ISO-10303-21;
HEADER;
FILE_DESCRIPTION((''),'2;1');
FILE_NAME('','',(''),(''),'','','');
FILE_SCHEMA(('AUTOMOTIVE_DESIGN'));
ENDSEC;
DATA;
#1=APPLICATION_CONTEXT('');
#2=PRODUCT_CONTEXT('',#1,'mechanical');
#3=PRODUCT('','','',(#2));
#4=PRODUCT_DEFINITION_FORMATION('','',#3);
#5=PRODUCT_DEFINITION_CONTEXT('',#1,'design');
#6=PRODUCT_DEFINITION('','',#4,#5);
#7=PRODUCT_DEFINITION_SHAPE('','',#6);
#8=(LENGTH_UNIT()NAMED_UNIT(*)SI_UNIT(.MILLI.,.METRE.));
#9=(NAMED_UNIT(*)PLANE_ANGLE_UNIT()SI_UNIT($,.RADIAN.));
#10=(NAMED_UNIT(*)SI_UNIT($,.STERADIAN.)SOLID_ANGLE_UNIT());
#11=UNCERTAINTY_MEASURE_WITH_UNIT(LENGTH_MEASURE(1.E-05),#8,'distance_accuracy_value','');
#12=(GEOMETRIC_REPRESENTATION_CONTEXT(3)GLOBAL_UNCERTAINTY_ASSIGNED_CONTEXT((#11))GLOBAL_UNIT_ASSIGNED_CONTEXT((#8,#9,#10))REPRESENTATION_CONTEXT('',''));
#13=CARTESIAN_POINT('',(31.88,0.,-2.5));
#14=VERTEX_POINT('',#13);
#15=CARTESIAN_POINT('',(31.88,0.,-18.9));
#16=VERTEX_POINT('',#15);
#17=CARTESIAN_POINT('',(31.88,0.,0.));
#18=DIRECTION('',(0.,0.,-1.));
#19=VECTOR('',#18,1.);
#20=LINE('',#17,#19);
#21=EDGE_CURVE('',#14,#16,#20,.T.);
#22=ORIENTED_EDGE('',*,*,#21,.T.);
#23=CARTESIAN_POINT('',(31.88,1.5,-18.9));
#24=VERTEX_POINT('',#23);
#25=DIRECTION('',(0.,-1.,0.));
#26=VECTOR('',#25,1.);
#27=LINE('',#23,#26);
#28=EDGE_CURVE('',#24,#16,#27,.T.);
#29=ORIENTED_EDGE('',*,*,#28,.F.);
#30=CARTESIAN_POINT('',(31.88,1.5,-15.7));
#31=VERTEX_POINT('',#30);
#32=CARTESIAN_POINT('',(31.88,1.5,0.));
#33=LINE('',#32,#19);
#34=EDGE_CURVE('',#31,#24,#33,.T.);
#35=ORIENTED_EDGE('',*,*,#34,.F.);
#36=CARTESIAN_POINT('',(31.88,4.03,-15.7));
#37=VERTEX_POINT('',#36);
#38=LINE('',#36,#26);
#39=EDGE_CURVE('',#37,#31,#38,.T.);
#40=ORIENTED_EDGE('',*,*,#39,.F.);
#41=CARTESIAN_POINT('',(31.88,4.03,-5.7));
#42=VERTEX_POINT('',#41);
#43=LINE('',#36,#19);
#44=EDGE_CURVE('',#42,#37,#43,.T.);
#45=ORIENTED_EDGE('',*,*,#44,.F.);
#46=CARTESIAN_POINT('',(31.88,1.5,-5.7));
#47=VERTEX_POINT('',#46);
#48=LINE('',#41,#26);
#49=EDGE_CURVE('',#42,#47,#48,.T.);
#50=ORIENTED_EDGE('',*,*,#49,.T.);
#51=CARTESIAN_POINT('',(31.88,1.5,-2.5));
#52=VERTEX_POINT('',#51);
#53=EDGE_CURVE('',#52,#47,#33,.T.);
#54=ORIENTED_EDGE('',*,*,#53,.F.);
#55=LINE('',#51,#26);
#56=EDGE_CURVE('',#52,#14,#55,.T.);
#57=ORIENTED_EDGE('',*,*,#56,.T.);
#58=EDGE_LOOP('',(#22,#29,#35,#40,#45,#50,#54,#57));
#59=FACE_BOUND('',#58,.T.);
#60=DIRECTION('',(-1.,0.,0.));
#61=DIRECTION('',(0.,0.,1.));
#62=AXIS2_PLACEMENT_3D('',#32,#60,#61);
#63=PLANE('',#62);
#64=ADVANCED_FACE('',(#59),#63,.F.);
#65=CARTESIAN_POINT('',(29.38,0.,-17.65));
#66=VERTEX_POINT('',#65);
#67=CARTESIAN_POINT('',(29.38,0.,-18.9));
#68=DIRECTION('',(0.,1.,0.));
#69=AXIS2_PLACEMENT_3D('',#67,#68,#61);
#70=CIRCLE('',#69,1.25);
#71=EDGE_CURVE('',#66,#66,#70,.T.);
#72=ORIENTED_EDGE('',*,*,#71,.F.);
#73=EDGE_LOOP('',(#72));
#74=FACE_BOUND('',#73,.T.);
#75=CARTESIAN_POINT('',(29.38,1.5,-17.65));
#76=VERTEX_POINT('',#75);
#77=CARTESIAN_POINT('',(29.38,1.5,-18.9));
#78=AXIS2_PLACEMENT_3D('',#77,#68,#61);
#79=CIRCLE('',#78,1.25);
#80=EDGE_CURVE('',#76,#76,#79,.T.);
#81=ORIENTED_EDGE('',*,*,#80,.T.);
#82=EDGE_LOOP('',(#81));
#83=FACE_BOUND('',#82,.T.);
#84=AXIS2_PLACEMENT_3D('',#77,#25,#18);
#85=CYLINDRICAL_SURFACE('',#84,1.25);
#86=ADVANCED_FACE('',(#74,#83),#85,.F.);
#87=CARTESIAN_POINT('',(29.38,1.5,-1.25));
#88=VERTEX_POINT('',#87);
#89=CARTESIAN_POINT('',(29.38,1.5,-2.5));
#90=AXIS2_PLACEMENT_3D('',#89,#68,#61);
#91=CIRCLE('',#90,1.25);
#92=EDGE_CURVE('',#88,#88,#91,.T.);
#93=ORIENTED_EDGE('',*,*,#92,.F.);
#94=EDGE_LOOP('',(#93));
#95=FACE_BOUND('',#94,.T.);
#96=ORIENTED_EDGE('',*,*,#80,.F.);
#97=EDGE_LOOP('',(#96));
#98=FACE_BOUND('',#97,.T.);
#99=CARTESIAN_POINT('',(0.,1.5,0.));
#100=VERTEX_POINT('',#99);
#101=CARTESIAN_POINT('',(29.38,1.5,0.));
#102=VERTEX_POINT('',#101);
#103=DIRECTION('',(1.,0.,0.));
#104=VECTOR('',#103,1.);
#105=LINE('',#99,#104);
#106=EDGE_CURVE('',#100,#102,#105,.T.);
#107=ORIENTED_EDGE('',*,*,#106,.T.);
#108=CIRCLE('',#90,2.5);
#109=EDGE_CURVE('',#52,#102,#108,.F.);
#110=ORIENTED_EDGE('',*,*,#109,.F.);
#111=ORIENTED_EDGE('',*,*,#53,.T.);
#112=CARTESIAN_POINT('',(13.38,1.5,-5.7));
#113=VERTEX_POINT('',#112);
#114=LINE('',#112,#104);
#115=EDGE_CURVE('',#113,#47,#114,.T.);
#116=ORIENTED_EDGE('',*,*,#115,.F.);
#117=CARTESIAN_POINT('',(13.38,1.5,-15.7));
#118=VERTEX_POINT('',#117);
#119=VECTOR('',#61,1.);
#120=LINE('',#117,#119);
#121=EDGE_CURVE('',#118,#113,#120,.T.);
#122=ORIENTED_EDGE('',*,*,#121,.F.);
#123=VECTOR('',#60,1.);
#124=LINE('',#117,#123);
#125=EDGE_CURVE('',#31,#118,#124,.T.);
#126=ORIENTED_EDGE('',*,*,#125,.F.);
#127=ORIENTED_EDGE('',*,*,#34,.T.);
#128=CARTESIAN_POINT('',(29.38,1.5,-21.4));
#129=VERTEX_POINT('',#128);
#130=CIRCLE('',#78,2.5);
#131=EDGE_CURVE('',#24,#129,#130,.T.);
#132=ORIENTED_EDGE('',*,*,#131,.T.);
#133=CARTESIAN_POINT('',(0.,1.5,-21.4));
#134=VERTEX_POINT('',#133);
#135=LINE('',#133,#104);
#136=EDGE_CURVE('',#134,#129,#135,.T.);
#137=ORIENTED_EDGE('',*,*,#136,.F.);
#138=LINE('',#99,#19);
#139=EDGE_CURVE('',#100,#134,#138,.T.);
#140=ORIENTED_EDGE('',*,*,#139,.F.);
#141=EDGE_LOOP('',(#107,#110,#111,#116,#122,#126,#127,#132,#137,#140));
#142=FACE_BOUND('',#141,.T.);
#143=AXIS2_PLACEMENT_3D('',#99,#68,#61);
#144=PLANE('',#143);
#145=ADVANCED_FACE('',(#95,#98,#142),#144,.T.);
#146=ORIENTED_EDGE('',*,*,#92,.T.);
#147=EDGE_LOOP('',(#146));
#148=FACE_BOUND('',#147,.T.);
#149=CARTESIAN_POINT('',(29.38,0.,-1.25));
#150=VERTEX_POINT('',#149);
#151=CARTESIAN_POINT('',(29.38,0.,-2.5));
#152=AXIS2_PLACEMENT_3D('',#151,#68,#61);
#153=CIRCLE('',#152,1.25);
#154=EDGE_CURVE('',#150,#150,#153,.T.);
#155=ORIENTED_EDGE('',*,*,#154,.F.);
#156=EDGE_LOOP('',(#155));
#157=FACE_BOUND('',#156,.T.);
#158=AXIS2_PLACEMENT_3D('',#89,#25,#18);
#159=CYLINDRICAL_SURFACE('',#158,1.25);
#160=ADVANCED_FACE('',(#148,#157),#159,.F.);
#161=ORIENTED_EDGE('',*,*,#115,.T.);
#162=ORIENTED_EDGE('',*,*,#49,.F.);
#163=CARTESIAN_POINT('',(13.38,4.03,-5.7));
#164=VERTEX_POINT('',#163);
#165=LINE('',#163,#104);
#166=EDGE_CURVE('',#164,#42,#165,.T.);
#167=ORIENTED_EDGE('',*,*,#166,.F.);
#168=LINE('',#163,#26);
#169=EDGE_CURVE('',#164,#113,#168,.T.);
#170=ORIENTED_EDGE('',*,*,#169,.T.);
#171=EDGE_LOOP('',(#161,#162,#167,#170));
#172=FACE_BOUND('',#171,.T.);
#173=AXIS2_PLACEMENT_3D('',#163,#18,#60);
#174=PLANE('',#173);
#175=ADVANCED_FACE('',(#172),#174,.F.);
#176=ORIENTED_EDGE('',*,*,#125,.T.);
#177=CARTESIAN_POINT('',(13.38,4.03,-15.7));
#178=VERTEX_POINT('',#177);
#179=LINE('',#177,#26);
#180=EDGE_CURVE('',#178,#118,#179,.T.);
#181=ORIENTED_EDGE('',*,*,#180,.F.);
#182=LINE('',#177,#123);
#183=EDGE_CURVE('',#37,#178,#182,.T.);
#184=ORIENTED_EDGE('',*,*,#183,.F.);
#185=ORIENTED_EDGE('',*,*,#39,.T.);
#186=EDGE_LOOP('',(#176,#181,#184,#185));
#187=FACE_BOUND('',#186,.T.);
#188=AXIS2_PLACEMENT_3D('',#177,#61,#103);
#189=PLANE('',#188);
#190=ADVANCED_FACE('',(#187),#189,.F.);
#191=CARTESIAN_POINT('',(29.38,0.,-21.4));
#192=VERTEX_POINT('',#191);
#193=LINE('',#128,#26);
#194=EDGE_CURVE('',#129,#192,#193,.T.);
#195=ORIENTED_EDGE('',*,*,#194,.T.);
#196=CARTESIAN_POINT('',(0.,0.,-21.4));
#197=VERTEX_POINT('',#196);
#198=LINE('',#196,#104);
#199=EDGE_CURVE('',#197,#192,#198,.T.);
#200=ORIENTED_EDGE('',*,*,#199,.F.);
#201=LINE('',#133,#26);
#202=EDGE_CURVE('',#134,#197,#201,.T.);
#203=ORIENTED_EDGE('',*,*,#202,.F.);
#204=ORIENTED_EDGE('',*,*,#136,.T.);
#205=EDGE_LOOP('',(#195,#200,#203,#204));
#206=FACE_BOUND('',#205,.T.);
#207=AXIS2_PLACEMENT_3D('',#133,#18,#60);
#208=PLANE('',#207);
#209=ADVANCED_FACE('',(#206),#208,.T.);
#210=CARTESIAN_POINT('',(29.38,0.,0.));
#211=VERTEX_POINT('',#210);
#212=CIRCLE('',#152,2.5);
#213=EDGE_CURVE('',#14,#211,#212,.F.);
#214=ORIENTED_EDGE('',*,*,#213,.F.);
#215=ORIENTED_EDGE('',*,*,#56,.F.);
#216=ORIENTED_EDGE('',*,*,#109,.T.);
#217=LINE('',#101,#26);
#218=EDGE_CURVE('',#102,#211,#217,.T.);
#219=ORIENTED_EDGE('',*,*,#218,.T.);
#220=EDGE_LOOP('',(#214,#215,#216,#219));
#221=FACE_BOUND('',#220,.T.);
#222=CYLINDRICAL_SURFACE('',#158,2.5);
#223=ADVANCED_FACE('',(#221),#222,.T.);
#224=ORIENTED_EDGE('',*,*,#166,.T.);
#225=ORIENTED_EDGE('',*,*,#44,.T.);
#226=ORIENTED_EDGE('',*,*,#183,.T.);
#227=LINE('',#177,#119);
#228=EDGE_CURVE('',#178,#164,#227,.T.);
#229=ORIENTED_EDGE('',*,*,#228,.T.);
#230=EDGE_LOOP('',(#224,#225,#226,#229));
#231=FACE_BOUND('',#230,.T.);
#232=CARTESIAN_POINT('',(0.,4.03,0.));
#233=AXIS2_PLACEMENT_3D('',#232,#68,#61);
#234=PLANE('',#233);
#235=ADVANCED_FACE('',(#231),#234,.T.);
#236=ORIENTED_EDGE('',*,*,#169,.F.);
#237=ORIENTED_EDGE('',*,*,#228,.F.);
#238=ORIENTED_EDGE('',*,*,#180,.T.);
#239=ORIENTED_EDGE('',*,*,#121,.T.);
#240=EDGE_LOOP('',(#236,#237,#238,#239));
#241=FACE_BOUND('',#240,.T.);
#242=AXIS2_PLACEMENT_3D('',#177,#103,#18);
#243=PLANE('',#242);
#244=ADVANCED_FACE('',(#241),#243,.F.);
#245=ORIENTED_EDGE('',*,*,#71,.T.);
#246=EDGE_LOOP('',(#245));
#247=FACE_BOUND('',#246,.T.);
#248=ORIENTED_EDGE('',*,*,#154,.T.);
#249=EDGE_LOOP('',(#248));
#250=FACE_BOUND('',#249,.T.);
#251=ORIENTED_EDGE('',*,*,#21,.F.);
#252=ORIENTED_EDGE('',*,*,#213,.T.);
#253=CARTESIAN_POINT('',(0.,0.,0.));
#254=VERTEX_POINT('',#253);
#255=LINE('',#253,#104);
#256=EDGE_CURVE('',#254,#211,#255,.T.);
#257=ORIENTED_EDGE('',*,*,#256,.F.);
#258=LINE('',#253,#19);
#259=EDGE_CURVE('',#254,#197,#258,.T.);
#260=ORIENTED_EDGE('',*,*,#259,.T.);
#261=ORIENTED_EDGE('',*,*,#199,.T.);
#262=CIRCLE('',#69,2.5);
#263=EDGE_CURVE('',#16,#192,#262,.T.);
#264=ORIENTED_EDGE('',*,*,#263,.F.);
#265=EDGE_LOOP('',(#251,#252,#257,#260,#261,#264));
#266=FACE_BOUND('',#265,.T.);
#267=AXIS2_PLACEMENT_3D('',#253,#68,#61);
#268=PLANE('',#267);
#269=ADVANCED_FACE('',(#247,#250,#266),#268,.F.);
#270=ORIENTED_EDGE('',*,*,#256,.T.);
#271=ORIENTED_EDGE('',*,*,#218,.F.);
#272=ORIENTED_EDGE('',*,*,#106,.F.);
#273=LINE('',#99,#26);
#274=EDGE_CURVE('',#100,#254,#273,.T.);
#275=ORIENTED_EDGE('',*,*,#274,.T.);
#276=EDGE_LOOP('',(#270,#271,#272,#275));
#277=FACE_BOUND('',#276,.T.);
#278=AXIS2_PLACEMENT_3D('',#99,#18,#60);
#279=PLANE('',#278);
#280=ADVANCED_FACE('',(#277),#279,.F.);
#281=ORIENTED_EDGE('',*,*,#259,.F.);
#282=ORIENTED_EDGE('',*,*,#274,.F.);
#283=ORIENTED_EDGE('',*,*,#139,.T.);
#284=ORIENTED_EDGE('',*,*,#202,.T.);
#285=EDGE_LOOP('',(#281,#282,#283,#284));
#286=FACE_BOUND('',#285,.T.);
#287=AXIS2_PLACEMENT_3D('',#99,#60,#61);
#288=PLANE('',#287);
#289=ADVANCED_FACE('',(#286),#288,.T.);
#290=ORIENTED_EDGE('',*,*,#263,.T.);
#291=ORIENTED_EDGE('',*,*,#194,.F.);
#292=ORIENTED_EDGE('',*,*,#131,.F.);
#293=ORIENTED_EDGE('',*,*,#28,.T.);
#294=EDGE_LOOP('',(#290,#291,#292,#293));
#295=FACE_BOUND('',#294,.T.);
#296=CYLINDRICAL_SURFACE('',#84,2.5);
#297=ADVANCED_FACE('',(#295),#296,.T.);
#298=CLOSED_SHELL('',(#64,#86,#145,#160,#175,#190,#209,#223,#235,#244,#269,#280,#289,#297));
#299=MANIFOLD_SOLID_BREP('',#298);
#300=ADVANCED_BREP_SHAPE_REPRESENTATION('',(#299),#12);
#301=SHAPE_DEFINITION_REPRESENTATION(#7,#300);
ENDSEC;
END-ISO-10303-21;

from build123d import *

# Parameters (mm, degrees)
SKETCH1_R           = 1.25
BOSS_EXTRUDE1_DEPTH = 1.5
SKETCH3_W           = 18.5
SKETCH3_H           = 10
BOSS_EXTRUDE2_DEPTH = 2.53


with BuildPart() as part:
    # Sketch1 → Boss-Extrude1 (new body)
    with BuildSketch(Plane(origin=(0, 0, 0), x_dir=(1, 0, 0), z_dir=(0, 1, 0))):
        with BuildLine():
            Line((31.88, 2.5), (31.88, 18.9))
            ThreePointArc((31.88, 18.9), (31.147766953, 20.667766953), (29.38, 21.4))
            Line((29.38, 21.4), (0, 21.4))
            Line((0, 21.4), (0, 0))
            Line((0, 0), (29.38, 0))
            ThreePointArc((29.38, 0), (31.147766953, 0.732233047), (31.88, 2.5))
        make_face()
        with Locations((29.38, 2.5)):
            Circle(SKETCH1_R, mode=Mode.SUBTRACT)
        with Locations((29.38, 18.9)):
            Circle(SKETCH1_R, mode=Mode.SUBTRACT)
    extrude(amount=BOSS_EXTRUDE1_DEPTH)

    # Sketch3 → Boss-Extrude2 (add)
    with BuildSketch(Plane(origin=(0, 1.5, 0), x_dir=(1, 0, 0), z_dir=(0, 1, 0))):
        with Locations((22.63, 10.7)):
            Rectangle(SKETCH3_W, SKETCH3_H)
    extrude(amount=BOSS_EXTRUDE2_DEPTH)


solid = part.part
